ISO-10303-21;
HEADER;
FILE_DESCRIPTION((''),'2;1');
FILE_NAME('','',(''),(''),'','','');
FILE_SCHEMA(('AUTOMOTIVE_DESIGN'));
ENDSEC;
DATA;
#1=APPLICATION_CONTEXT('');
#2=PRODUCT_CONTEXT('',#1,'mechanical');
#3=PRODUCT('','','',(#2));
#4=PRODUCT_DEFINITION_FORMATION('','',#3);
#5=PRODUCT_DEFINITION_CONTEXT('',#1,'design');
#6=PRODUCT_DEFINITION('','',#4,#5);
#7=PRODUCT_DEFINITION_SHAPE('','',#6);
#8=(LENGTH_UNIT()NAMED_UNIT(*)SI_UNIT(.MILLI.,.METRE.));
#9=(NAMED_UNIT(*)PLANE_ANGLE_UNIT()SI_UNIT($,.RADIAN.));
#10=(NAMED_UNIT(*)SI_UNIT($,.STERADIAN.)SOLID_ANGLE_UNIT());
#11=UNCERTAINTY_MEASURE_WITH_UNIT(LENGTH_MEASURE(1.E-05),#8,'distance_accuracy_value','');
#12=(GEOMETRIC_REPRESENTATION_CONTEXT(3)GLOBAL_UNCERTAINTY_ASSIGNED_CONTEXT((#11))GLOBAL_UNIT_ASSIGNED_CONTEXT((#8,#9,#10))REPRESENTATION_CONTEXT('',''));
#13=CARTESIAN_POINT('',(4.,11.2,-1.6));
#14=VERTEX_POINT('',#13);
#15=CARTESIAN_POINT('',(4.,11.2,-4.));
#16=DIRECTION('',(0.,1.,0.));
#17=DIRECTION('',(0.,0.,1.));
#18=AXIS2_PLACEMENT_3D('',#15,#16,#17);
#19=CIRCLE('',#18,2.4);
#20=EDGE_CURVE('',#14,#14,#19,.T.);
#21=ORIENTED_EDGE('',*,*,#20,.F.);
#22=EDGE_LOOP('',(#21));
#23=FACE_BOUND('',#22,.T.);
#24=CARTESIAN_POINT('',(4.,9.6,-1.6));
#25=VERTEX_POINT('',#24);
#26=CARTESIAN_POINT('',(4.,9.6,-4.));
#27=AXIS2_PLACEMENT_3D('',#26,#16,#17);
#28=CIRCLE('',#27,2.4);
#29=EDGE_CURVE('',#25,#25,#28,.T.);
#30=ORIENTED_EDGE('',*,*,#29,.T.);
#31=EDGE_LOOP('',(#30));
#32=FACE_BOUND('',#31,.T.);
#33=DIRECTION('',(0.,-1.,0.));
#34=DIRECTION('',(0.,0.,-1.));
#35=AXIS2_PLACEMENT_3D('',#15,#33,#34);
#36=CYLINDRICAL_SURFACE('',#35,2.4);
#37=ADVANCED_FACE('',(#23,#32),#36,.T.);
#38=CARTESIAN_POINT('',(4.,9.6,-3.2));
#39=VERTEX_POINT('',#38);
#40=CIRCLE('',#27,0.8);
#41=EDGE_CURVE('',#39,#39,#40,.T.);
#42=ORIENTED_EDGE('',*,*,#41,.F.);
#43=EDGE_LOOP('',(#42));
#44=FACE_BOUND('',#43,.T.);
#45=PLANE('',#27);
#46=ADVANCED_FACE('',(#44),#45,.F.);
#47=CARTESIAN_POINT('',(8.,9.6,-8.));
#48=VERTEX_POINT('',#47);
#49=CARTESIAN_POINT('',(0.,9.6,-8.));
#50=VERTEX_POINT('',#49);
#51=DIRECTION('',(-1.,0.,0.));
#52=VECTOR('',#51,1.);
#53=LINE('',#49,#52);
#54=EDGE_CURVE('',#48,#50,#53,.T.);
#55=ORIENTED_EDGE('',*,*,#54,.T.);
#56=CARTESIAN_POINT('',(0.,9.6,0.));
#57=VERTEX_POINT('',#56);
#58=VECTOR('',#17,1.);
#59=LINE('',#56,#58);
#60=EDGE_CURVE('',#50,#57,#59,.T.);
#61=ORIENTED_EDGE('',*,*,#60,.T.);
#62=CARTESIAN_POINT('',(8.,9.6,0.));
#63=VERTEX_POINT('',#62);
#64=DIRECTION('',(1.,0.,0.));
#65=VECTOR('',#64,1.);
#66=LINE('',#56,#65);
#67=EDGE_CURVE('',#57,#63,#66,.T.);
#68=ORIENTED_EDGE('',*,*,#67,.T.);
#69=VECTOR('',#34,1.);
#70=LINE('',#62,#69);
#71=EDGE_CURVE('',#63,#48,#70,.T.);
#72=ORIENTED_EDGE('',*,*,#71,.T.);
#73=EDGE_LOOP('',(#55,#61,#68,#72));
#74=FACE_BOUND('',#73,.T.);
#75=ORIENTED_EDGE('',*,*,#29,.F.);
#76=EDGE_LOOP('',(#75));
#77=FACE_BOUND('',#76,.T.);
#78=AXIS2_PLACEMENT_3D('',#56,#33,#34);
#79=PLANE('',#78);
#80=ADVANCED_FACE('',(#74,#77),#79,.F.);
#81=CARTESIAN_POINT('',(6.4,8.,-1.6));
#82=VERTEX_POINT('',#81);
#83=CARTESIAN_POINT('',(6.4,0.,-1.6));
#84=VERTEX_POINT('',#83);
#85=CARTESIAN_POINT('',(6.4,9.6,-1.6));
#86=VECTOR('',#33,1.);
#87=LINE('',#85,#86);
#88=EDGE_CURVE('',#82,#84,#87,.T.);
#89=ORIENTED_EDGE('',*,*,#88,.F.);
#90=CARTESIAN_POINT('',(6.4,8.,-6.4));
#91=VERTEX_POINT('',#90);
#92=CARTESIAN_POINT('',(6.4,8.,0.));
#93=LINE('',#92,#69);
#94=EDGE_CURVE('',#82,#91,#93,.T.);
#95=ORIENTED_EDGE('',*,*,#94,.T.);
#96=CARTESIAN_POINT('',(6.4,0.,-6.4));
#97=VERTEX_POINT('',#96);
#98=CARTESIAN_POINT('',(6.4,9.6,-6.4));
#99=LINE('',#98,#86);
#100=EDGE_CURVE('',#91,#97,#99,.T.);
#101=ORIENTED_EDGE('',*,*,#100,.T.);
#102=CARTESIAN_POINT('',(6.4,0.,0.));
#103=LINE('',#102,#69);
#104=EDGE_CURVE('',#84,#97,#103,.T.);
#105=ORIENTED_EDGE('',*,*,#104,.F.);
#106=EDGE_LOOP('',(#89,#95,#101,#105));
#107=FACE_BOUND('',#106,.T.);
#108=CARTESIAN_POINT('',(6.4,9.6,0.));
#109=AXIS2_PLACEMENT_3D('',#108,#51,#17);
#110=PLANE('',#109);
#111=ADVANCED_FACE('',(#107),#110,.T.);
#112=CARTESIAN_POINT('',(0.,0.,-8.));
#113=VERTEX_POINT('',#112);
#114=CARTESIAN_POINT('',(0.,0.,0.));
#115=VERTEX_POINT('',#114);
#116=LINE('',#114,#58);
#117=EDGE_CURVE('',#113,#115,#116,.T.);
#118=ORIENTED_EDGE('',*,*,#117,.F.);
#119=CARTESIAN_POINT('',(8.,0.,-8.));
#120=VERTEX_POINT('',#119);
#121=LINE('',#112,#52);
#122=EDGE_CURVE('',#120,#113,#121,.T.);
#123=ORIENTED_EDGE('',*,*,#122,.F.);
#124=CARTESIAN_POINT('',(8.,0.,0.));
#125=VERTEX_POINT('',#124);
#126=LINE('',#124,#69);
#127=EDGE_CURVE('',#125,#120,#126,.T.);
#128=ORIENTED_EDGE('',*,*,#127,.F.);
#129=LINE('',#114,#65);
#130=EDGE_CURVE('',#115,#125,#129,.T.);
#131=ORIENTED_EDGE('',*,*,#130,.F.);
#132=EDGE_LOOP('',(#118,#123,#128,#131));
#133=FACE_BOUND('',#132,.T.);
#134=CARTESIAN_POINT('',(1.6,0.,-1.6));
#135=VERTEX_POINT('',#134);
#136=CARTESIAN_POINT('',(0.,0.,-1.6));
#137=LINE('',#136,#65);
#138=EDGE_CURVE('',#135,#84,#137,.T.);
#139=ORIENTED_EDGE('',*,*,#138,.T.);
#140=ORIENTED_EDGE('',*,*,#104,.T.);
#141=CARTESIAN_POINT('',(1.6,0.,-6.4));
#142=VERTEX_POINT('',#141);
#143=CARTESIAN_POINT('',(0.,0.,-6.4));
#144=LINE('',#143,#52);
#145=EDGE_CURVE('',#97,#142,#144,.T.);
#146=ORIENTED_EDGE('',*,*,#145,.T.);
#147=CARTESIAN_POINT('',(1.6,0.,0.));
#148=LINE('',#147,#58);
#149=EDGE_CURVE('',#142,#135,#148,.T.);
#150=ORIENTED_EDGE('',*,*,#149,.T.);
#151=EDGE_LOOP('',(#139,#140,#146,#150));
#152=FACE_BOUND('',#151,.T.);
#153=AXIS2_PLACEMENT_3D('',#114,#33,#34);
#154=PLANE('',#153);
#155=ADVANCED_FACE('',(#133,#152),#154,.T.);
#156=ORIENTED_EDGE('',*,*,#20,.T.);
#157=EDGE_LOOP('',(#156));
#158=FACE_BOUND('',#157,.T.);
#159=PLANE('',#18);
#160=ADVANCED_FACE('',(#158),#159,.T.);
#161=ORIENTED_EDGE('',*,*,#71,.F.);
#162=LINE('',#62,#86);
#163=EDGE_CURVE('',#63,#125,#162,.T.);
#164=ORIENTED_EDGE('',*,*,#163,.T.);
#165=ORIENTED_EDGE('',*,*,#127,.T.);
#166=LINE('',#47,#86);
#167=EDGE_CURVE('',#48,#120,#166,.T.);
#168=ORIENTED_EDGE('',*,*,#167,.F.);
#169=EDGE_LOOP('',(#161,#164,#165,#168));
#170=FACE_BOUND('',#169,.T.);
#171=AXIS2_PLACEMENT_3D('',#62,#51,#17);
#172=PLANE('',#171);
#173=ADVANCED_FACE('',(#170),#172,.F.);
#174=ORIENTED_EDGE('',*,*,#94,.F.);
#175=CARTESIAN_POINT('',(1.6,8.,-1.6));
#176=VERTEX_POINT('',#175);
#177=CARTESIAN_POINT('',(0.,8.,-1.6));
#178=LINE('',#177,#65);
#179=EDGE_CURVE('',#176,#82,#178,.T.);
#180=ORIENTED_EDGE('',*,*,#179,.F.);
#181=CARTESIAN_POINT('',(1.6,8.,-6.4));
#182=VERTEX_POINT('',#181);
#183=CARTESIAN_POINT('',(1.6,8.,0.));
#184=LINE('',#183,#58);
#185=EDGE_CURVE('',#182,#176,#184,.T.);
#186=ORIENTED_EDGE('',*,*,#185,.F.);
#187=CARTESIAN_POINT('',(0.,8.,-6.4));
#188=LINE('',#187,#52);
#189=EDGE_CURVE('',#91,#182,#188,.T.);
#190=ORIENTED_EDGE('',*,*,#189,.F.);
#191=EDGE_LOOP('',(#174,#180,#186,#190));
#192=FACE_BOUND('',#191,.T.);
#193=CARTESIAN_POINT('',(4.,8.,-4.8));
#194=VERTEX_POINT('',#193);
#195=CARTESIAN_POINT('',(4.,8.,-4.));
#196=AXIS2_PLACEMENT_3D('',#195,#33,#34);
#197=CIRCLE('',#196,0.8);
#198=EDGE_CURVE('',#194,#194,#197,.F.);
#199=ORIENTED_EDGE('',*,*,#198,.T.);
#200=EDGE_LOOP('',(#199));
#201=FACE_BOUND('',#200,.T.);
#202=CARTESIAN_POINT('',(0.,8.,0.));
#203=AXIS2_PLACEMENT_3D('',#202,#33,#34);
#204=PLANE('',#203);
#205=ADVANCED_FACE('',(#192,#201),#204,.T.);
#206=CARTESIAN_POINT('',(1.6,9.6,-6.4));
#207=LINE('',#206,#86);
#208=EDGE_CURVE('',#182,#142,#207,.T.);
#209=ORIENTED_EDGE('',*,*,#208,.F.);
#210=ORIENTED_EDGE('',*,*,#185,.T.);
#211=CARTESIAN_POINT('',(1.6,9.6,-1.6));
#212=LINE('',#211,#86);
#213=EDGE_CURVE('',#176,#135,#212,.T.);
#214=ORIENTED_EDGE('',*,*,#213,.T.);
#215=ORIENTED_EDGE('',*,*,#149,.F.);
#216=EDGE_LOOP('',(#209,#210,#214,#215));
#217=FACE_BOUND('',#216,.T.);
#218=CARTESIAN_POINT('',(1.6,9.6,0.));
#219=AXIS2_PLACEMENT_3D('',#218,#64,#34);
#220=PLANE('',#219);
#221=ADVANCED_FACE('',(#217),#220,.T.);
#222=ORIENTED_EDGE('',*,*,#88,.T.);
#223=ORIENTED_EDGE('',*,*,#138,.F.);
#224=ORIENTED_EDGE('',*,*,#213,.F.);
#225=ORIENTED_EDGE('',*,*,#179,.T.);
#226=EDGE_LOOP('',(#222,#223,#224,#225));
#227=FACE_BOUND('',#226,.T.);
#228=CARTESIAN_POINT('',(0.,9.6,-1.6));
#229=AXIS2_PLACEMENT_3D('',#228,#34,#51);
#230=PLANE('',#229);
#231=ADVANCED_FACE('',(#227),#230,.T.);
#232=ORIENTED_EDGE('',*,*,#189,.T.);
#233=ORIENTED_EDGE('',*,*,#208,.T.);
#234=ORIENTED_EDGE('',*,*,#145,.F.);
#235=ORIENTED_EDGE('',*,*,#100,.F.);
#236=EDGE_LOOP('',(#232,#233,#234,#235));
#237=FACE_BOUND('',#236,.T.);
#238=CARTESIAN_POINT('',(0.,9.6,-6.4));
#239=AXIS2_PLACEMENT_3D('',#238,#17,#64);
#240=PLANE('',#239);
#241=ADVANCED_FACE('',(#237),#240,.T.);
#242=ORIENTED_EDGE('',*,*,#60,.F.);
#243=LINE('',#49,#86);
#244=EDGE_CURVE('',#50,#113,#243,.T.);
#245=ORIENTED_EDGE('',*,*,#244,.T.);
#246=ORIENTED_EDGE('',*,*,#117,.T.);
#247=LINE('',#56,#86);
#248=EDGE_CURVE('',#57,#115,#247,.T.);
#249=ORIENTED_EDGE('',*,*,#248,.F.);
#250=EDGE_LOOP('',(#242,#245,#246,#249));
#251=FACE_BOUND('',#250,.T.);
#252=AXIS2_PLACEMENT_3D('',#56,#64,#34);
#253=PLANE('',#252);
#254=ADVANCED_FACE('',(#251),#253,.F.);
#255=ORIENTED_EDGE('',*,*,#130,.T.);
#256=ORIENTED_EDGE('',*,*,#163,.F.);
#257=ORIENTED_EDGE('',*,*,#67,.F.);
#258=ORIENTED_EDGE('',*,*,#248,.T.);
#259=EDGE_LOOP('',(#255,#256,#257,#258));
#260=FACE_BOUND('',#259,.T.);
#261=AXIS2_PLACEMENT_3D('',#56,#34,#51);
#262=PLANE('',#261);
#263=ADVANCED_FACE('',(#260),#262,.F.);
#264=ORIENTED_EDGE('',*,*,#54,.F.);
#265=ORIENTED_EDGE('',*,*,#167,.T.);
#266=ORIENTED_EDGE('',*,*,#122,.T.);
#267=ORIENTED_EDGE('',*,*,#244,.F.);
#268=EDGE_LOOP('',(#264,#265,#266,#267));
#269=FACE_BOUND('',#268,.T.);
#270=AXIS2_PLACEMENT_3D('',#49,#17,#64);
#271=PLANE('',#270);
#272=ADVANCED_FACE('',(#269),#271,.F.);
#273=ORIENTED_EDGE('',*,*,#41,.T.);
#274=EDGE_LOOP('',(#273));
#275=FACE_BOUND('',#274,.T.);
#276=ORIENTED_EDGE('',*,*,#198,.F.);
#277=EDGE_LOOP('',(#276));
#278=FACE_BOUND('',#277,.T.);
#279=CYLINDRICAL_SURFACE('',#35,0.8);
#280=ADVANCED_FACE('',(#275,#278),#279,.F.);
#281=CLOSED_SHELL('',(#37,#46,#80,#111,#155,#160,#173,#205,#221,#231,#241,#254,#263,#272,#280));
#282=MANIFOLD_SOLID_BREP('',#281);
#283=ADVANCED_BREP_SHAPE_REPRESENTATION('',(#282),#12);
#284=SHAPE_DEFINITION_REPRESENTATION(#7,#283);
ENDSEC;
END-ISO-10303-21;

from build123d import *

# Parameters (mm, degrees)
SKETCH1_W           = 8
SKETCH1_H           = 8
BOSS_EXTRUDE1_DEPTH = 9.6
SKETCH2_R           = 2.4
BOSS_EXTRUDE2_DEPTH = 1.6
SHELL1_T            = -1.6


with BuildPart() as part:
    # Sketch1 → Boss-Extrude1 (new body)
    with BuildSketch(Plane(origin=(0, 0, 0), x_dir=(1, 0, 0), z_dir=(0, 1, 0))):
        with Locations((4, 4)):
            Rectangle(SKETCH1_W, SKETCH1_H)
    extrude(amount=BOSS_EXTRUDE1_DEPTH)

    # Sketch2 → Boss-Extrude2 (add)
    with BuildSketch(Plane(origin=(0, 9.6, 0), x_dir=(1, 0, 0), z_dir=(0, 1, 0))):
        with Locations(Location((4, 4, 0), (0, 0, 270))):
            Circle(SKETCH2_R)
    extrude(amount=BOSS_EXTRUDE2_DEPTH)

    # Shell1
    shell1_openings = [part.faces().sort_by_distance(p)[0] for p in [
        (4, 0, -4),
    ]]
    offset(amount=SHELL1_T, openings=shell1_openings, kind=Kind.INTERSECTION)


solid = part.part
